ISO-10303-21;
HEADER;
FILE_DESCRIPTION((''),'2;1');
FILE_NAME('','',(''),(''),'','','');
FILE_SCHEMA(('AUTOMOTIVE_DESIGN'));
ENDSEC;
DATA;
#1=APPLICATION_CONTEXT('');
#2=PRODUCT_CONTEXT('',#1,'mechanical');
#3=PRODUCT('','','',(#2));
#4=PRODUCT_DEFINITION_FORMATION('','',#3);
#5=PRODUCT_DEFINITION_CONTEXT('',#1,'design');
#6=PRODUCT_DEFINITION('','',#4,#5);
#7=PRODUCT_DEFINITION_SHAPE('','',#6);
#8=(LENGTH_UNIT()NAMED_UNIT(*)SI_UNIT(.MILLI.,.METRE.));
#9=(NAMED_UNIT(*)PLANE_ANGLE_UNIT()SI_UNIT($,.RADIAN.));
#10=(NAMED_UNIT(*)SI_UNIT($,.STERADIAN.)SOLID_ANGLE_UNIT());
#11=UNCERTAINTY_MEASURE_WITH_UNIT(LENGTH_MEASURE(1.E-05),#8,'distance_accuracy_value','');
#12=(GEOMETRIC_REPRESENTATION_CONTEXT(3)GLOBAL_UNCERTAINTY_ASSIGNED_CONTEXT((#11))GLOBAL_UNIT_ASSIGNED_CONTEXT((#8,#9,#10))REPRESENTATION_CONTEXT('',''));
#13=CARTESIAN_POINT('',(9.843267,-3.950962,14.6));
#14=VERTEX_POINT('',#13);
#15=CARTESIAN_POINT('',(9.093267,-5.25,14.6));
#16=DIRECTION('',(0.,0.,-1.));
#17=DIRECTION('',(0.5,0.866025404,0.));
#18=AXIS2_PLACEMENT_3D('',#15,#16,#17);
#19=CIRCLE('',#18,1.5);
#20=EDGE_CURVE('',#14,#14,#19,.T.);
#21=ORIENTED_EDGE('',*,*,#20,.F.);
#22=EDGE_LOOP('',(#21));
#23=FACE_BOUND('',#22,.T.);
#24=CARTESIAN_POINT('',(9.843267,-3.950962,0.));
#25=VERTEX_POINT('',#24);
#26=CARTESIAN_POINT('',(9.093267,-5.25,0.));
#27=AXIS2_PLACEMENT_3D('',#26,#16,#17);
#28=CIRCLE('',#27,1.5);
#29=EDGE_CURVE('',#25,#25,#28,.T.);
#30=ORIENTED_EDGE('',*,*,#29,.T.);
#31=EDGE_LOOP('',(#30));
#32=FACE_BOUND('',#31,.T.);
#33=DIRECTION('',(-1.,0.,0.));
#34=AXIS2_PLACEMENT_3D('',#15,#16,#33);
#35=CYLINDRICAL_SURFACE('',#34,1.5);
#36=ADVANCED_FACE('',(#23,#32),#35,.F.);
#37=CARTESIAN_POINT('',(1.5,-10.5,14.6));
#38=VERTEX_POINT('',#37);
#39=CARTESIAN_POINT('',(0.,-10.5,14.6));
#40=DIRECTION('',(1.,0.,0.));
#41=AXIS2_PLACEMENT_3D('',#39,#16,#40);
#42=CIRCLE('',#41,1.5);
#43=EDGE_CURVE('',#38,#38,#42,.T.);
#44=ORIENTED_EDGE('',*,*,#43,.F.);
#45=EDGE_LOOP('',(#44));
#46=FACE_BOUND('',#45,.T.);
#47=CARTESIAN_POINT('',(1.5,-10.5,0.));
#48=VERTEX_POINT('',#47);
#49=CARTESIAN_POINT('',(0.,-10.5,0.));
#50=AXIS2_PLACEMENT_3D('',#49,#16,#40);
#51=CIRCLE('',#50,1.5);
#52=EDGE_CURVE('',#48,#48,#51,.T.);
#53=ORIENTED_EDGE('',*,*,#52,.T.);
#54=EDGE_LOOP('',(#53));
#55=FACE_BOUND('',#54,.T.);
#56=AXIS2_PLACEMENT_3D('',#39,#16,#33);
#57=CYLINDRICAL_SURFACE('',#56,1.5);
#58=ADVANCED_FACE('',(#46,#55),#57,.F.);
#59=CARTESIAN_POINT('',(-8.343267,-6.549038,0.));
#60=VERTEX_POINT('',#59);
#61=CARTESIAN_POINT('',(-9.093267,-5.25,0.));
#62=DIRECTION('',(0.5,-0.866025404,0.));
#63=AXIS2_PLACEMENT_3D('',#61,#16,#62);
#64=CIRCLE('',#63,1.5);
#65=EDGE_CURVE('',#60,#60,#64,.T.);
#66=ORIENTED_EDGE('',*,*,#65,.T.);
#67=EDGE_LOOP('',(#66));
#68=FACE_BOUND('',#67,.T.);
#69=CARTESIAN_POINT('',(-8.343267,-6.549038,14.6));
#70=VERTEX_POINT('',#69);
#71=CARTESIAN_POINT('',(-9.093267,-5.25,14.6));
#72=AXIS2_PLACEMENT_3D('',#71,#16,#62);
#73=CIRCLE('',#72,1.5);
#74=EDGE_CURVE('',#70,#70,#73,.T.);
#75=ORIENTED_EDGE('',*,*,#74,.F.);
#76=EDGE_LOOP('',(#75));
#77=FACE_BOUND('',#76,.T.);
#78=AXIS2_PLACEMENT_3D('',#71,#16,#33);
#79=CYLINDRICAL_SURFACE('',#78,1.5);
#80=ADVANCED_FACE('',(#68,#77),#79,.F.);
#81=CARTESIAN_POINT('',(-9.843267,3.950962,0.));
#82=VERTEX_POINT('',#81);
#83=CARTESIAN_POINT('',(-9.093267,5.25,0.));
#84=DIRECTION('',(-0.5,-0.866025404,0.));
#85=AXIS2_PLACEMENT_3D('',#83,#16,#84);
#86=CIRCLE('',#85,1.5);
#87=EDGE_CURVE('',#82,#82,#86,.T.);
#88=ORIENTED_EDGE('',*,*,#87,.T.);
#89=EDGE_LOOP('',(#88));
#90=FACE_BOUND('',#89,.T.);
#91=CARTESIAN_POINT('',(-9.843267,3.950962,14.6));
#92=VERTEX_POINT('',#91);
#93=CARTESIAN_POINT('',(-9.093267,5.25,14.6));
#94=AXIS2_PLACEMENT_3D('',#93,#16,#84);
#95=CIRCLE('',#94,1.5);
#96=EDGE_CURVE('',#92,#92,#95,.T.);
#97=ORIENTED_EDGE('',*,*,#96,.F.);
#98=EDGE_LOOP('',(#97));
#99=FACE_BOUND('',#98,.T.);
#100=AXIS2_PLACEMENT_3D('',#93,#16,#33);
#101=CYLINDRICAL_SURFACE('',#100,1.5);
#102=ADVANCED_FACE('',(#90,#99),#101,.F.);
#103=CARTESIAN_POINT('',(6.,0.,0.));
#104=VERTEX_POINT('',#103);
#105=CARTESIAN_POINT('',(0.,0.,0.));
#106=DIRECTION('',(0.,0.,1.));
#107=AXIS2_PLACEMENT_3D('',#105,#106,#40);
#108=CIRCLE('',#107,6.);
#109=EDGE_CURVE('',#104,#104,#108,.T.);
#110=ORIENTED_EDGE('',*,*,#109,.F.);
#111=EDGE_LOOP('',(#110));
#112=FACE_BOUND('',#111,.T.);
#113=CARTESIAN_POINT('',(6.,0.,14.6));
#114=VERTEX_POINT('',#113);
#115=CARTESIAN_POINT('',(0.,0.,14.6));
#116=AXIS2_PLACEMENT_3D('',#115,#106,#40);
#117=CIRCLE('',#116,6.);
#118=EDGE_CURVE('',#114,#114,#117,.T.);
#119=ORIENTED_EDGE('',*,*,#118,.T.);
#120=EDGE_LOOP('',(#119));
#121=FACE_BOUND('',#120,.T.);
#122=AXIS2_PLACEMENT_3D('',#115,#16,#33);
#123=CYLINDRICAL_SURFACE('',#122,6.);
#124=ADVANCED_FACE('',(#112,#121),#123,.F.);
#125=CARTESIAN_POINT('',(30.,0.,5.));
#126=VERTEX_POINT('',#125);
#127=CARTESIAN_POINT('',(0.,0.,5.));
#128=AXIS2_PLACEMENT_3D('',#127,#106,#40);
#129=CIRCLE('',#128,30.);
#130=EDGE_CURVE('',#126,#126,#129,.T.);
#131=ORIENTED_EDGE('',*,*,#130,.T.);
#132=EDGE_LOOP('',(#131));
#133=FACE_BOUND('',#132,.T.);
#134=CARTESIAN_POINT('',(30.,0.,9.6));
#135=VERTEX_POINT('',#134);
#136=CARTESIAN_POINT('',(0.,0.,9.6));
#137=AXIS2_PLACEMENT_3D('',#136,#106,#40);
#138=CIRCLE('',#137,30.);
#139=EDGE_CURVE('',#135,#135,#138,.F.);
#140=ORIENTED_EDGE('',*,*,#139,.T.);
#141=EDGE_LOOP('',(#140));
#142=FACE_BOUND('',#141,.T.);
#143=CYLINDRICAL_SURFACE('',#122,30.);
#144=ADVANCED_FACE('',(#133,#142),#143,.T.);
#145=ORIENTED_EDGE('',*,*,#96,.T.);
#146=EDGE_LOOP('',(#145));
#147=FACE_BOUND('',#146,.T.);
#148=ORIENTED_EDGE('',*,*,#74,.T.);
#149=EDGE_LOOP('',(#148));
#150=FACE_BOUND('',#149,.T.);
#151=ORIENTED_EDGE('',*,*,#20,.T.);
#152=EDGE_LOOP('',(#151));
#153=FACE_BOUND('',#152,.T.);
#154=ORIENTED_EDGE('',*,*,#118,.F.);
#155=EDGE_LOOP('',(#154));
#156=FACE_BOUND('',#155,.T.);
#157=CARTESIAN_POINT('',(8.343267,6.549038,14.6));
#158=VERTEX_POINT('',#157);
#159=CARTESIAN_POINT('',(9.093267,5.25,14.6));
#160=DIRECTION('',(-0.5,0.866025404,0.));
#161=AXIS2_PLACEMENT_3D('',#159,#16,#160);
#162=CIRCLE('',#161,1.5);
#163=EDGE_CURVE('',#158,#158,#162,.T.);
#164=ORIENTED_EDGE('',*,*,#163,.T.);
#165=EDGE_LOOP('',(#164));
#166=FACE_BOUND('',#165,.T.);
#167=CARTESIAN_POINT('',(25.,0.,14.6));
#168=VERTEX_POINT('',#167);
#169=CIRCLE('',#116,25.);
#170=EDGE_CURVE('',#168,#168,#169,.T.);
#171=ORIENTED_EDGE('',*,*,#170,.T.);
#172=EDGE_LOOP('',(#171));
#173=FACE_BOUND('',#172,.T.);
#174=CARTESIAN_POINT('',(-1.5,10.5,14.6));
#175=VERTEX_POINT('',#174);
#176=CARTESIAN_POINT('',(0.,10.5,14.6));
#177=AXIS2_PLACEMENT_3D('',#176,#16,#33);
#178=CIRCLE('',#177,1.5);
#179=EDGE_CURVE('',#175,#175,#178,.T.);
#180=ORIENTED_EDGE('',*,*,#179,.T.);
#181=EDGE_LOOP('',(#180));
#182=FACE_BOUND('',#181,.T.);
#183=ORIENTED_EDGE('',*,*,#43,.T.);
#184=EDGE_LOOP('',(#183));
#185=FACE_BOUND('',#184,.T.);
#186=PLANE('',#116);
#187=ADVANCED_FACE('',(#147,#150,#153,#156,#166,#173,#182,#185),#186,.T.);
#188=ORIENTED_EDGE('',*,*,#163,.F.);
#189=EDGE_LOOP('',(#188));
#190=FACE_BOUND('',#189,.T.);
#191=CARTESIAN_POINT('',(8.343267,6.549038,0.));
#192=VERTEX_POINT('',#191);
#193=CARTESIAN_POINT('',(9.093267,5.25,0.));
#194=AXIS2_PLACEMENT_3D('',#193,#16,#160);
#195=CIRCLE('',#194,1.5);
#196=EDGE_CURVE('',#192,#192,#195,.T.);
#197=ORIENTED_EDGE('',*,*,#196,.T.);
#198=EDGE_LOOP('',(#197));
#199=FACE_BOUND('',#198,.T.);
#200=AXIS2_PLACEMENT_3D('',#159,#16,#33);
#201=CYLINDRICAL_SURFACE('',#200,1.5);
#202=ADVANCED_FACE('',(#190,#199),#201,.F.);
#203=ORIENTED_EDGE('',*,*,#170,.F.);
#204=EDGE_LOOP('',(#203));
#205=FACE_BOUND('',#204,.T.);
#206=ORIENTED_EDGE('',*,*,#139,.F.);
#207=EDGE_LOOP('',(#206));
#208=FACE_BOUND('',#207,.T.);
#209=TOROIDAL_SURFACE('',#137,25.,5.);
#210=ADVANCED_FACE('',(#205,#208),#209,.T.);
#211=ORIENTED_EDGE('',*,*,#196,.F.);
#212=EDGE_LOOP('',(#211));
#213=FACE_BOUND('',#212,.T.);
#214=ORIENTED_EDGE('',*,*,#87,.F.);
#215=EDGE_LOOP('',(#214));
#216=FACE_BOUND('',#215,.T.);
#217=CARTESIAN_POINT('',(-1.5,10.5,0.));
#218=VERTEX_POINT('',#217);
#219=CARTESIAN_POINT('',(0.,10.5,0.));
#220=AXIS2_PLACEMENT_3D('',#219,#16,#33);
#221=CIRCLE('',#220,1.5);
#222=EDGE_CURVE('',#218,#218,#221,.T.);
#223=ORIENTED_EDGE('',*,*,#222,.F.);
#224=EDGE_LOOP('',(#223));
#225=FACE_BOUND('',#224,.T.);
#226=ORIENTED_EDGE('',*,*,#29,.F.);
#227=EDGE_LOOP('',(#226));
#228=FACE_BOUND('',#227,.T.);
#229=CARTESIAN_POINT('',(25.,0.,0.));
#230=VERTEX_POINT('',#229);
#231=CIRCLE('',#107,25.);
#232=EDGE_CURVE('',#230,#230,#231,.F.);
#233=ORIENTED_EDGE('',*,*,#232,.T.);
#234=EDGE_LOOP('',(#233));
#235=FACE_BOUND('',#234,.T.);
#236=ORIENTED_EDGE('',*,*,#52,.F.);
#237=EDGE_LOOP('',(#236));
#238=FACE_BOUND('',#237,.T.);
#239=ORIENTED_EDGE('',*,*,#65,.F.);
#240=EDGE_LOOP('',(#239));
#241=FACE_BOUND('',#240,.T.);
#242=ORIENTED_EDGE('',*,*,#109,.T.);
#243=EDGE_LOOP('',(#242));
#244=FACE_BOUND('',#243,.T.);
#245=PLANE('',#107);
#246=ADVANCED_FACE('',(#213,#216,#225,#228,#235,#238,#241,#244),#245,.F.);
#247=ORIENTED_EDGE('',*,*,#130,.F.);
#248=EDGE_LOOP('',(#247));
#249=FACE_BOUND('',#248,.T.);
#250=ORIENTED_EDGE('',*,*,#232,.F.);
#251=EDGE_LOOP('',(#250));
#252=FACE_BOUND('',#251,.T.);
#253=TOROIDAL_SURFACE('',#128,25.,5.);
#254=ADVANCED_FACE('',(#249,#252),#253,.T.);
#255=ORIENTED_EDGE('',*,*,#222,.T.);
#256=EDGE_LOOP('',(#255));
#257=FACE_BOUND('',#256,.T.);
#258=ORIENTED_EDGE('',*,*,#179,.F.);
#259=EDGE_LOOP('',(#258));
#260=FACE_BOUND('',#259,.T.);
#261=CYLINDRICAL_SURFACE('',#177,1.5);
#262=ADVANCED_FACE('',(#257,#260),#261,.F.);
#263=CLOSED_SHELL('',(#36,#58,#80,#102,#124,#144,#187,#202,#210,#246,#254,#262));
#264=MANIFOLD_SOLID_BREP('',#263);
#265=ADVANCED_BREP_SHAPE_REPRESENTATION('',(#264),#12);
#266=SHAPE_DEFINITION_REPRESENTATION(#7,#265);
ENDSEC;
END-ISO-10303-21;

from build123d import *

# Parameters (mm, degrees)
SKETCH_1_R               = 30
SKETCH_1_R_2             = 6
EXTRUDE_1_DEPTH          = 14.6
FILLET_2_R               = 5
SKETCH_3_R               = 1.5
CUT_EXTRUDE_1_DEPTH      = 15.6
PATTERN_CIRCULAR_2_COUNT = 6


with BuildPart() as part:
    # ｽｹｯﾁ1 → ﾎﾞｽ - 押し出し1 (new body)
    with BuildSketch(Plane.XY):
        Circle(SKETCH_1_R)
        Circle(SKETCH_1_R_2, mode=Mode.SUBTRACT)
    extrude(amount=EXTRUDE_1_DEPTH)

    # ﾌｨﾚｯﾄ2
    fillet_2_edges = [part.edges().sort_by_distance(p)[0] for p in [
        (-30, 0, 0),
        (-30, 0, 14.6),
    ]]
    fillet(fillet_2_edges, radius=FILLET_2_R)

    # ｽｹｯﾁ3 → ｶｯﾄ - 押し出し1 (cut, through all)
    with BuildSketch(Plane(origin=(0, 0, 0), x_dir=(-1, 0, 0), z_dir=(0, 0, -1))):
        with Locations((0, 10.5)):
            Circle(SKETCH_3_R)
    cut_extrude_1 = extrude(amount=-CUT_EXTRUDE_1_DEPTH, mode=Mode.SUBTRACT)

    # 円形ﾊﾟﾀｰﾝ2: ｶｯﾄ - 押し出し1 ×6 about axis
    pattern_circular_2_axis = Axis((0, 0, 0), (0, 0, 1))
    for i in range(1, PATTERN_CIRCULAR_2_COUNT):
        add(cut_extrude_1.rotate(pattern_circular_2_axis, i * 360 / PATTERN_CIRCULAR_2_COUNT), mode=Mode.SUBTRACT)


solid = part.part
